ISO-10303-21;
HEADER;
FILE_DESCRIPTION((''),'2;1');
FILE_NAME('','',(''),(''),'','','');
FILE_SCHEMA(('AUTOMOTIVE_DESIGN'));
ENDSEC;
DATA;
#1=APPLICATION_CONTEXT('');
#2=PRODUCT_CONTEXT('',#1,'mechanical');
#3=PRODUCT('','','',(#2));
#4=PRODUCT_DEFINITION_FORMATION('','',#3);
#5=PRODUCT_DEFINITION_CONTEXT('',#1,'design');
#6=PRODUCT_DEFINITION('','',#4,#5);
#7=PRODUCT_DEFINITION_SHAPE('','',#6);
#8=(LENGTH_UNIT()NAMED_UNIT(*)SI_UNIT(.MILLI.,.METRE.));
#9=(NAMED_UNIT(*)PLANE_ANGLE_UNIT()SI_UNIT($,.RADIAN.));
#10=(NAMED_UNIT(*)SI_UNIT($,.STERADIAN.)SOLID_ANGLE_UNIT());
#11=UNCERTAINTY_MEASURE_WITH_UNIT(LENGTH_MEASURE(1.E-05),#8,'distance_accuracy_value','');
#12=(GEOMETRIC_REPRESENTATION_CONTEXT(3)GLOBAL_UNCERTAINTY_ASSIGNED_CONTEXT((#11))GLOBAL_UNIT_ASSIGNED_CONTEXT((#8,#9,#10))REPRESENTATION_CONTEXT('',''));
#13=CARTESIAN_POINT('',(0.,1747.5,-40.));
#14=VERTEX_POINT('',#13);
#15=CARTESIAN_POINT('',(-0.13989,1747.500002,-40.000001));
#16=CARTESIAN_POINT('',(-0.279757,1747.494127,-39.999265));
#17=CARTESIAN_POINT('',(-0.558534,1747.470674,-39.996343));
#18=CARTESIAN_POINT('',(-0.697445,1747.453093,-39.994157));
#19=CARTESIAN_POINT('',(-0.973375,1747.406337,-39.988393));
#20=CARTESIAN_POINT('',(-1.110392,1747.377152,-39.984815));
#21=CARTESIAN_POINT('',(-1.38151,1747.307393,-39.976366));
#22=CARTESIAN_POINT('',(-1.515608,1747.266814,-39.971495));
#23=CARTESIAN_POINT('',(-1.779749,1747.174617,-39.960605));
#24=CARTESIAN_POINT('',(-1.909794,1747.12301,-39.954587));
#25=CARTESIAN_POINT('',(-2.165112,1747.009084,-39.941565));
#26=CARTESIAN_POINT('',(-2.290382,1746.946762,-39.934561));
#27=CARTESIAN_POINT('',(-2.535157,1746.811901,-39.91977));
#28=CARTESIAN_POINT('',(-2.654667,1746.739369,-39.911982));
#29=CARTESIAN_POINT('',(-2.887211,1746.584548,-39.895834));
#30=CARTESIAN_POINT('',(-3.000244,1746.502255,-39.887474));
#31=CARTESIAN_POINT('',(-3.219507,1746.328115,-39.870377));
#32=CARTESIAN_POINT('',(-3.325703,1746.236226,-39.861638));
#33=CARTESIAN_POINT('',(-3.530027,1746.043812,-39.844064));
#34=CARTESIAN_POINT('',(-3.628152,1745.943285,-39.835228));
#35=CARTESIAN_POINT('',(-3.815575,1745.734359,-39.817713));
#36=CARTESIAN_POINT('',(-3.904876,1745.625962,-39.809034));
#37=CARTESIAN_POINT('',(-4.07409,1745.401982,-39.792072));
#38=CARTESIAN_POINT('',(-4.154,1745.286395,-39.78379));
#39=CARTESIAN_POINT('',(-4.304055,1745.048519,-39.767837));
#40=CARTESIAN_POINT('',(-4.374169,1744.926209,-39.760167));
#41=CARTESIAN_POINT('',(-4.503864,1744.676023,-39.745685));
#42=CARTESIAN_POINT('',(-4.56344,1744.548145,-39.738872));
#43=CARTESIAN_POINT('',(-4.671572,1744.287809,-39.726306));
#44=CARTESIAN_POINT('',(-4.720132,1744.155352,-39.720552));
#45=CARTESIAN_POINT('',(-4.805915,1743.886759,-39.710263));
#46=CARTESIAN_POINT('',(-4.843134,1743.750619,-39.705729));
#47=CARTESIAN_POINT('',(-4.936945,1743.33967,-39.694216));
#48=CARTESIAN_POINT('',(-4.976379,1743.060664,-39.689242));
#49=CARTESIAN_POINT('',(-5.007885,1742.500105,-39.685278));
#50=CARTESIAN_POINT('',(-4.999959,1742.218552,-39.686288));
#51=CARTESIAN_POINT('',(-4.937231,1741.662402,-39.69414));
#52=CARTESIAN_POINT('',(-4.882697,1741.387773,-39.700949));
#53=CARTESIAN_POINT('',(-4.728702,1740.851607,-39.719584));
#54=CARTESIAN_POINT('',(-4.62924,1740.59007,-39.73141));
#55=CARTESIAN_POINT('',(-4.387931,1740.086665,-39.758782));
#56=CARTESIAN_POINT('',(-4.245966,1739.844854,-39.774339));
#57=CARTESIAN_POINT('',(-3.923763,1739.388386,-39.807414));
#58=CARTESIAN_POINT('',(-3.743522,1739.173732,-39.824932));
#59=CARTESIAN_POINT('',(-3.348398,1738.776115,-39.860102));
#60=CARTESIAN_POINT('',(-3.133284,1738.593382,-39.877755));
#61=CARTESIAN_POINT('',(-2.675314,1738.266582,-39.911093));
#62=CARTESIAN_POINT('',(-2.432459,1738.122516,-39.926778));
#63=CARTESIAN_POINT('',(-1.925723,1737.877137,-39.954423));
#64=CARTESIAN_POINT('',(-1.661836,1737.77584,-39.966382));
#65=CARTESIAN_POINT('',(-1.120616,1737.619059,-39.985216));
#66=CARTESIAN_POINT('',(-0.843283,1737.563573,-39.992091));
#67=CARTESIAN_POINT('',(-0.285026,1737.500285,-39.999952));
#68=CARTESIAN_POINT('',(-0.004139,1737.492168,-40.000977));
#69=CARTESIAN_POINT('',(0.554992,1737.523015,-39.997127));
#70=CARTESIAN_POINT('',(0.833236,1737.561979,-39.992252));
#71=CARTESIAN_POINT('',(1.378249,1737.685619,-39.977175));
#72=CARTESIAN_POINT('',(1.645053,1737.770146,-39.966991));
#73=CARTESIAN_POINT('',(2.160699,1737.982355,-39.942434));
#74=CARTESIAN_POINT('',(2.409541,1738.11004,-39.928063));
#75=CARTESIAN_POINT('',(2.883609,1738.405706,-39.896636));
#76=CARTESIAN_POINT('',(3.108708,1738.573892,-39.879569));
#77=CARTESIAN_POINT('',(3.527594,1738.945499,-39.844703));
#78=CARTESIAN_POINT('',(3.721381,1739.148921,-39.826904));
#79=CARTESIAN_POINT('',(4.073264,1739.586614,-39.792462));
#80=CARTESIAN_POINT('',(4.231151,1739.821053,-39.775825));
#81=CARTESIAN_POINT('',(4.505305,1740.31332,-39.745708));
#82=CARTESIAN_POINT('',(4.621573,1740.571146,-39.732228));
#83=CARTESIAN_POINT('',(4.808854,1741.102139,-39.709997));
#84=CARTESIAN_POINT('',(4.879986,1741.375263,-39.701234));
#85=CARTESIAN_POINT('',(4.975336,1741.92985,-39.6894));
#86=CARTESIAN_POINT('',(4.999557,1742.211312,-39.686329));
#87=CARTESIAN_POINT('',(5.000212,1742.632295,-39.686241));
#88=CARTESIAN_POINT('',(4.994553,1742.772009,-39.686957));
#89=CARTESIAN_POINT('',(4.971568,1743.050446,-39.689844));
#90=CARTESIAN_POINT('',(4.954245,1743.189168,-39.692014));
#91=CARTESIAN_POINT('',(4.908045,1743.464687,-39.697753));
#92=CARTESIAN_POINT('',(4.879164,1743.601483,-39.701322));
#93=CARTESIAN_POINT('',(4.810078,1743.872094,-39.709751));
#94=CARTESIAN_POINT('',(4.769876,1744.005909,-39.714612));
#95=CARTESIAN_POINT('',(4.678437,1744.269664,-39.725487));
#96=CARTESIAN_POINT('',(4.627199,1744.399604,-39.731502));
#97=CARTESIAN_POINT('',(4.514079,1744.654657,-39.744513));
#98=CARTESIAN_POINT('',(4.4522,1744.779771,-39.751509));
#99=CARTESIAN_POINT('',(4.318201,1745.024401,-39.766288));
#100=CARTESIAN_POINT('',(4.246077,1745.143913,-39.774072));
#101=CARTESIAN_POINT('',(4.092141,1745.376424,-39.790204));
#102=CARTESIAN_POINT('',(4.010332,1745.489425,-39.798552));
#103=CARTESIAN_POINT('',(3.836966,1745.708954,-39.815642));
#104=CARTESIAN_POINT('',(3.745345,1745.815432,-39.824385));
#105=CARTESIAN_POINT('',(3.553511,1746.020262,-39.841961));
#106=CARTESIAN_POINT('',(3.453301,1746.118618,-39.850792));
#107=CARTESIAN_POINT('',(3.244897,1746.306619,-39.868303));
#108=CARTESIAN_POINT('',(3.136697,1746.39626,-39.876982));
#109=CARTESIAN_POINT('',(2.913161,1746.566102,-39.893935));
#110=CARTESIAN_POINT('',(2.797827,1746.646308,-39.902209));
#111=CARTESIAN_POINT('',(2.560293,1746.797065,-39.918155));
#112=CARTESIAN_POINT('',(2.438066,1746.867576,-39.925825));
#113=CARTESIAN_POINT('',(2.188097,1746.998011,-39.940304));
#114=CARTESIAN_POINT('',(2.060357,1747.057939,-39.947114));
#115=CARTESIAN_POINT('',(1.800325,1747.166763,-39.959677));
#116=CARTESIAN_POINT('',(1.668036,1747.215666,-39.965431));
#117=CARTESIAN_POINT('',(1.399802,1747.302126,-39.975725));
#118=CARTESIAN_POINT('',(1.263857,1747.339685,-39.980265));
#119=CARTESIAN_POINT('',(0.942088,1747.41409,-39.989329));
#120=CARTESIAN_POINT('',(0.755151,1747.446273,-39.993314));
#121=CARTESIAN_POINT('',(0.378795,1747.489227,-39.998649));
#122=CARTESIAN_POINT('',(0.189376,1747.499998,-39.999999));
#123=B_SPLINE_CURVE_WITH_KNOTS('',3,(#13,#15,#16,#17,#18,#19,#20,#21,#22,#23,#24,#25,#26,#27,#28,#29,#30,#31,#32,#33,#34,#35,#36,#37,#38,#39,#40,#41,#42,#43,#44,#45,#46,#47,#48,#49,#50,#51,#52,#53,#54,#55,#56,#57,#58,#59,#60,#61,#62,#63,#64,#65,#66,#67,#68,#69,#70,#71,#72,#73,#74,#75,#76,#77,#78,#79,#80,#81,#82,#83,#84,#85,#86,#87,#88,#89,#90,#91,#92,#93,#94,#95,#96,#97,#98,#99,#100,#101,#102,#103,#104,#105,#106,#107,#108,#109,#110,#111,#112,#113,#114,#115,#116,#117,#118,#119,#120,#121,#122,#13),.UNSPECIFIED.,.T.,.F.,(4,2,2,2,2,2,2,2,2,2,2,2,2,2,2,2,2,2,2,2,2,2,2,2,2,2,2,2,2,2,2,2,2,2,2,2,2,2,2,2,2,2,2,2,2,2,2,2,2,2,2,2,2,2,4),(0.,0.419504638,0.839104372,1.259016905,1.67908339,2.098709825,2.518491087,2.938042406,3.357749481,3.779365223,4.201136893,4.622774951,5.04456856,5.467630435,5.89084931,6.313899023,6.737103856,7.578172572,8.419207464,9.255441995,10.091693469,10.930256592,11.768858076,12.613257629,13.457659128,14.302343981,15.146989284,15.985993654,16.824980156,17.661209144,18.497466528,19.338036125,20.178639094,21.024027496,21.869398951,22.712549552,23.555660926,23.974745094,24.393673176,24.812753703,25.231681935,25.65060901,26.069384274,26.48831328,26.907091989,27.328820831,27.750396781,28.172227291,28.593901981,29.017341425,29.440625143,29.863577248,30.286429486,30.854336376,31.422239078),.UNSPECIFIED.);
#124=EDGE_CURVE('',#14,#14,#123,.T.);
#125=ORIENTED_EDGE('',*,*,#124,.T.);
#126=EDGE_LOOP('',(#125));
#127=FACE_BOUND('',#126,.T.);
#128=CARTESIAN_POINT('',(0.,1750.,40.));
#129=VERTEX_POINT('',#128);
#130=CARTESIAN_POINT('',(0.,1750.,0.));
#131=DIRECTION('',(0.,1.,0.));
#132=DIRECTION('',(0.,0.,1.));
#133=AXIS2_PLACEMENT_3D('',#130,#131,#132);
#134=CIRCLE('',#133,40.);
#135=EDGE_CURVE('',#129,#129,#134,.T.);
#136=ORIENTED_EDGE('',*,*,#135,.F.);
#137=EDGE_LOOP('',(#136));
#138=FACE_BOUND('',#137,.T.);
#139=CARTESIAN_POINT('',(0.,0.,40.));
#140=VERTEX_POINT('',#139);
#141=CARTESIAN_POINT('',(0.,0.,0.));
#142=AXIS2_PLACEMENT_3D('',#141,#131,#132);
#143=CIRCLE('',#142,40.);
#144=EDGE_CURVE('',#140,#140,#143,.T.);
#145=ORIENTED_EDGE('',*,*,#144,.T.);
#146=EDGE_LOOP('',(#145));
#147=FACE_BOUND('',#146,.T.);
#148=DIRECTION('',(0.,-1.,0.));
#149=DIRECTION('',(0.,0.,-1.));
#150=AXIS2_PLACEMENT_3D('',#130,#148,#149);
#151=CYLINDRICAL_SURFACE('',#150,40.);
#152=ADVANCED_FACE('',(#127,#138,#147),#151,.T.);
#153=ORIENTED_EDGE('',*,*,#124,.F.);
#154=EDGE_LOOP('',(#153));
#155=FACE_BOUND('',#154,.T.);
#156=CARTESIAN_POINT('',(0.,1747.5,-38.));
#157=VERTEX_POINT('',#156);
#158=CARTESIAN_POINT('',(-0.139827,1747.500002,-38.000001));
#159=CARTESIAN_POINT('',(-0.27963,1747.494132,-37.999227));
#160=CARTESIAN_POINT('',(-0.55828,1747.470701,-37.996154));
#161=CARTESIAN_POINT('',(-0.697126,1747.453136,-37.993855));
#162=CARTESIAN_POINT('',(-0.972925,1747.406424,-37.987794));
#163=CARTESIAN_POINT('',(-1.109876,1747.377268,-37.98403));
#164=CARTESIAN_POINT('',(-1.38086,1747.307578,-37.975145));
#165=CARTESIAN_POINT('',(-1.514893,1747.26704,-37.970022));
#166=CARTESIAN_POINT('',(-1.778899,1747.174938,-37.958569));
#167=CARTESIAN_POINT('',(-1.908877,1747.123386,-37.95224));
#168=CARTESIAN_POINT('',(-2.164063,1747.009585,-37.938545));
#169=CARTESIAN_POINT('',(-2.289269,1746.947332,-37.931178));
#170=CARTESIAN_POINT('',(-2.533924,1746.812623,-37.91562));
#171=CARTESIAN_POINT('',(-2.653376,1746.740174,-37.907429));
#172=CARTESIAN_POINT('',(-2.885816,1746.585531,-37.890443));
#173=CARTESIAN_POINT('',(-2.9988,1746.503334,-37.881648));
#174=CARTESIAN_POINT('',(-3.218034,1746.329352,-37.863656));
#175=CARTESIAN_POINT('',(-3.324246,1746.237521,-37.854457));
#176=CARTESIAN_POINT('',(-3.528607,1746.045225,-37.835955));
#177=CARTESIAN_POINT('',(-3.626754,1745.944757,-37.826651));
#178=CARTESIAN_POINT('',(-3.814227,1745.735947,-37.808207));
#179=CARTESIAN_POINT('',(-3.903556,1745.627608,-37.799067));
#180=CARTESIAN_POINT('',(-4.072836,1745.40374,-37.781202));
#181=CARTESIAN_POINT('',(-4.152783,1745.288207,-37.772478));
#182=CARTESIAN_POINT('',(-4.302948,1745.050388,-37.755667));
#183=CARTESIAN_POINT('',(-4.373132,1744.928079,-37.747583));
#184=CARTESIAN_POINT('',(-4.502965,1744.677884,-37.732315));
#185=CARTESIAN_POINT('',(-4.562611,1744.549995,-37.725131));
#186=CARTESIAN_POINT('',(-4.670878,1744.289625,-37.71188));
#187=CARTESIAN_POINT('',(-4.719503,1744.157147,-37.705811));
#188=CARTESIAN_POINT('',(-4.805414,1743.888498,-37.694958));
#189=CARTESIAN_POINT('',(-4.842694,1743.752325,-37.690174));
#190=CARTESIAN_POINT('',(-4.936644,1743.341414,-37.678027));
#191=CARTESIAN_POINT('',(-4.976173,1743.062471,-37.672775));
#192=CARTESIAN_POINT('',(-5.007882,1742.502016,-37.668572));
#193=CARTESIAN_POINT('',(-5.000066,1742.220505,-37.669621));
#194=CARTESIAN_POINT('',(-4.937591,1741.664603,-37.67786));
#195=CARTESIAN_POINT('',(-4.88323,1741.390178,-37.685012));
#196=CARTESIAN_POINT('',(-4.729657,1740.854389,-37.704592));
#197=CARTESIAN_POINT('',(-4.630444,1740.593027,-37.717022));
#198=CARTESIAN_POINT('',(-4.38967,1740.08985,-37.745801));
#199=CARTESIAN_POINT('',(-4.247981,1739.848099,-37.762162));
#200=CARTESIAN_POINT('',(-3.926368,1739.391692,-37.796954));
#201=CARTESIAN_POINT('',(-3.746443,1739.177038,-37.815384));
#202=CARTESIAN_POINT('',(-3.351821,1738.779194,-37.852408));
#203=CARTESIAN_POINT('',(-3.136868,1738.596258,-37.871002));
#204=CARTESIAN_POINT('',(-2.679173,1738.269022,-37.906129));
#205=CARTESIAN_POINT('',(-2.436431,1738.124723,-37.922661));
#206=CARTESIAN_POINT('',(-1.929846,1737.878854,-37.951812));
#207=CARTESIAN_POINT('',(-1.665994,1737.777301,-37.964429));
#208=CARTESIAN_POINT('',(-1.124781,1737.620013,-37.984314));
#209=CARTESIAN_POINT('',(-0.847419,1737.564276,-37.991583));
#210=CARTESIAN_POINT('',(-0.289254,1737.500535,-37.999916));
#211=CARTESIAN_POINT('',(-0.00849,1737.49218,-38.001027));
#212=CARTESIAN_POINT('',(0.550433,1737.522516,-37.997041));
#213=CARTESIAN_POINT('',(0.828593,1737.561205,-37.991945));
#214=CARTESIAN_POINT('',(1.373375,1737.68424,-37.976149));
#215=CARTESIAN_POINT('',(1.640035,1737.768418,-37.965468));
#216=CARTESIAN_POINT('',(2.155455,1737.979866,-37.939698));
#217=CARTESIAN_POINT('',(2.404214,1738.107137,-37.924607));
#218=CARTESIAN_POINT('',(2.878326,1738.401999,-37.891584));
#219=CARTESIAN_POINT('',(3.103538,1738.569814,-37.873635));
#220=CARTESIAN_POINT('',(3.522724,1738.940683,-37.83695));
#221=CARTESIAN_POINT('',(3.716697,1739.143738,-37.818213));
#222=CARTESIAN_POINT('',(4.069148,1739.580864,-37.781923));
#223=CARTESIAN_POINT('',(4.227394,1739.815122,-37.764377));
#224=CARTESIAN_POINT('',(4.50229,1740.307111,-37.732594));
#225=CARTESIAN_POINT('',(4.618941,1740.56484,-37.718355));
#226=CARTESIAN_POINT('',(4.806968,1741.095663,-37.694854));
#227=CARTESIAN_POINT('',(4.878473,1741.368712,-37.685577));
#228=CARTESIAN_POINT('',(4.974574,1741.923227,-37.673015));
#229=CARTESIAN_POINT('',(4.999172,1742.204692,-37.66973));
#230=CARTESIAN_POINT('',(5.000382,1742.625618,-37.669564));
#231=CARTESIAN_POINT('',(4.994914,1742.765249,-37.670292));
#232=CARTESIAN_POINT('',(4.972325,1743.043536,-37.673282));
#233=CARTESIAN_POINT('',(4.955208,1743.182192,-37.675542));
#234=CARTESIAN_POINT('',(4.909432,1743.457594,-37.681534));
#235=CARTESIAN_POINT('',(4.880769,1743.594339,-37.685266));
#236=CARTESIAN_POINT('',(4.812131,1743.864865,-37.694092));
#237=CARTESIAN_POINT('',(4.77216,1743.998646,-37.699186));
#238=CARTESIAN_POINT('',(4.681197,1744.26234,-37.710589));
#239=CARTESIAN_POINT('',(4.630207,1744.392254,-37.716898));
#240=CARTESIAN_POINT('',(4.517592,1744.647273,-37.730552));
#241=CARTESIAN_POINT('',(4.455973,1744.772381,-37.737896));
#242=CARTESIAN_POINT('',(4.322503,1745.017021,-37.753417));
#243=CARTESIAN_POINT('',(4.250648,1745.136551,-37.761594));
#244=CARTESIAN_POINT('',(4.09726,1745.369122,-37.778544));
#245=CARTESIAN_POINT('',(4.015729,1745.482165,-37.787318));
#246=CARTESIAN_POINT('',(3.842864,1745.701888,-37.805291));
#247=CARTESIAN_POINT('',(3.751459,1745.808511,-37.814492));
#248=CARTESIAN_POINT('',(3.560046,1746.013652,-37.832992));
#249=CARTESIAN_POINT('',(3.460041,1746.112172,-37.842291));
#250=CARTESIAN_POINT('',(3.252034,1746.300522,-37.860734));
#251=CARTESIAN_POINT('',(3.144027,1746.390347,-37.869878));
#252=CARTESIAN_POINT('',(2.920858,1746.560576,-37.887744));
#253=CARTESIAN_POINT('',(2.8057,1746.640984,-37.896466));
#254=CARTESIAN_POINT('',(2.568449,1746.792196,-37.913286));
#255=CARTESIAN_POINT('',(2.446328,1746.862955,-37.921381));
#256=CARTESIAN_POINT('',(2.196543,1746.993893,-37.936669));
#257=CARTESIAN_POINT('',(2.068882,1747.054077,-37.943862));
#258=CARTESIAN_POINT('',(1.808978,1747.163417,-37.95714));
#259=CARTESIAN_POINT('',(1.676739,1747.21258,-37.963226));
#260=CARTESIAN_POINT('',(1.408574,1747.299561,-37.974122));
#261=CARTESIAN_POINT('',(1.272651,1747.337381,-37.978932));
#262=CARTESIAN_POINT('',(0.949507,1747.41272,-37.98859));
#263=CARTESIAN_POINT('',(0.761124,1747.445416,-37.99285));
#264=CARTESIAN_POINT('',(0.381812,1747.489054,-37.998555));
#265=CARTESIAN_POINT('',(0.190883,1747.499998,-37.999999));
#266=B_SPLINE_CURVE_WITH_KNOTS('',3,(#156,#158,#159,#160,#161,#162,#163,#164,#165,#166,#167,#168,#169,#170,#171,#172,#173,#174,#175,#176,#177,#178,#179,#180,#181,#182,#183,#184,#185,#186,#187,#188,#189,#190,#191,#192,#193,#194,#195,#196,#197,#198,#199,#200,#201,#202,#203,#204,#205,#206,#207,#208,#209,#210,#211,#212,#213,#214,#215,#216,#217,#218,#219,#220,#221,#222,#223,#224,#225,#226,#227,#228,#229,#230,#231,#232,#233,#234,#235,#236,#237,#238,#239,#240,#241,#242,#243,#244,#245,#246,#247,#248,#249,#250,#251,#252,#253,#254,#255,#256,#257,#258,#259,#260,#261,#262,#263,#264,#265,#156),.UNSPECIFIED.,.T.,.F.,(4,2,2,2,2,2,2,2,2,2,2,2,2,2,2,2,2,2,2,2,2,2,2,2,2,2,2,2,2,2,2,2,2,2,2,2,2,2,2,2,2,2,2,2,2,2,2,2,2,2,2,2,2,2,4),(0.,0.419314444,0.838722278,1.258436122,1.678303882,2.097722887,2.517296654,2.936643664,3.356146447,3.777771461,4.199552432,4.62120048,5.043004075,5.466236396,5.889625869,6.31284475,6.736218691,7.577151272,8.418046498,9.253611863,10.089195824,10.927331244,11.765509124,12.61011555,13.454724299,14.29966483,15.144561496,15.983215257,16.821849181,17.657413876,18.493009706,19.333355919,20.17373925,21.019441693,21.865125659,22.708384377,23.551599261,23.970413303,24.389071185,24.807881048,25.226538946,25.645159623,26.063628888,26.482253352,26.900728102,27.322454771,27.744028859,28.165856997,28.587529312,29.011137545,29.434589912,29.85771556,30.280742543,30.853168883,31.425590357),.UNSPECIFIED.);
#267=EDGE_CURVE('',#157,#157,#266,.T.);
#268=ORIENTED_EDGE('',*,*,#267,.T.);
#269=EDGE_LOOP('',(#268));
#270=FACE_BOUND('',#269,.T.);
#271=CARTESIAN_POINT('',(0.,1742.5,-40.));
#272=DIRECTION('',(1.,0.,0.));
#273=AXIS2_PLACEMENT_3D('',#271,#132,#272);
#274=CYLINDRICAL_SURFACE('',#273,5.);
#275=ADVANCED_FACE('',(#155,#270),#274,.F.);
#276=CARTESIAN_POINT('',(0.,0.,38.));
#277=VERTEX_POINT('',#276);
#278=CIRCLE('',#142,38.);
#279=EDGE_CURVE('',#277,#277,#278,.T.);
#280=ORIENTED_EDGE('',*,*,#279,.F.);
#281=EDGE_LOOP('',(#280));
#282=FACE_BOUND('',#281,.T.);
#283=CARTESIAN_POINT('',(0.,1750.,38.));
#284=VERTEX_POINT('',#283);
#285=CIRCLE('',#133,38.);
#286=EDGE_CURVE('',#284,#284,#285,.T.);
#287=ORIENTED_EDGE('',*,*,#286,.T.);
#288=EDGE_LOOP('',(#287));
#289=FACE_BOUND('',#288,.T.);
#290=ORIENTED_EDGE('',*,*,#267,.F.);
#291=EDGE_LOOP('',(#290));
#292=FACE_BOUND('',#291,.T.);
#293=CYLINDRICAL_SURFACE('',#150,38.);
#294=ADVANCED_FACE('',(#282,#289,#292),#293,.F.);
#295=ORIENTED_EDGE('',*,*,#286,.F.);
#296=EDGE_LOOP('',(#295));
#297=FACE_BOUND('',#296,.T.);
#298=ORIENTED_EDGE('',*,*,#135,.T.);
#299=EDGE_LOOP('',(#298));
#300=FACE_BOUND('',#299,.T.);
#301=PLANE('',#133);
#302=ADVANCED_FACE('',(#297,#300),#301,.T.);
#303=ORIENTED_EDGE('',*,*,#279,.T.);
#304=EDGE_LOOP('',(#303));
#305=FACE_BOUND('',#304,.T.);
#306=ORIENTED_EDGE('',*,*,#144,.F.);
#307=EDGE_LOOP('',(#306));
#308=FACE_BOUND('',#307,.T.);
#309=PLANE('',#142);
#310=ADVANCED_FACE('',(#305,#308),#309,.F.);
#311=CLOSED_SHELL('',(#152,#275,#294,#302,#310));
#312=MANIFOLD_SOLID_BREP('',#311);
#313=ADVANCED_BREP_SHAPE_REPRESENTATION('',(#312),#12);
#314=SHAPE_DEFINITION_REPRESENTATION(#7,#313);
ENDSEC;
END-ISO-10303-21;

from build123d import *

# Parameters (mm, degrees)
ESQUISSE1_R             = 40
ESQUISSE1_R_2           = 38
BOSS_EXTRU_1_DEPTH      = 1750
ESQUISSE5_R             = 5
ENL_V_MAT_EXTRU_1_DEPTH = 41


with BuildPart() as part:
    # Esquisse1 → Boss.-Extru.1 (new body)
    with BuildSketch(Plane(origin=(0, 0, 0), x_dir=(1, 0, 0), z_dir=(0, 1, 0))):
        with Locations(Location((0, 0, 0), (0, 0, 270))):  # turned: the seam where the file's is
            Circle(ESQUISSE1_R)
        with Locations(Location((0, 0, 0), (0, 0, 270))):  # turned: the seam where the file's is
            Circle(ESQUISSE1_R_2, mode=Mode.SUBTRACT)
    extrude(amount=BOSS_EXTRU_1_DEPTH)

    # Esquisse5 → Enlèv. mat.-Extru.1 (cut, through all)
    with BuildSketch(Plane.XY):
        with Locations(Location((0, 1742.5, 0), (0, 0, 90))):  # turned: the seam where the file's is
            Circle(ESQUISSE5_R)
    extrude(amount=-ENL_V_MAT_EXTRU_1_DEPTH, mode=Mode.SUBTRACT)


solid = part.part
